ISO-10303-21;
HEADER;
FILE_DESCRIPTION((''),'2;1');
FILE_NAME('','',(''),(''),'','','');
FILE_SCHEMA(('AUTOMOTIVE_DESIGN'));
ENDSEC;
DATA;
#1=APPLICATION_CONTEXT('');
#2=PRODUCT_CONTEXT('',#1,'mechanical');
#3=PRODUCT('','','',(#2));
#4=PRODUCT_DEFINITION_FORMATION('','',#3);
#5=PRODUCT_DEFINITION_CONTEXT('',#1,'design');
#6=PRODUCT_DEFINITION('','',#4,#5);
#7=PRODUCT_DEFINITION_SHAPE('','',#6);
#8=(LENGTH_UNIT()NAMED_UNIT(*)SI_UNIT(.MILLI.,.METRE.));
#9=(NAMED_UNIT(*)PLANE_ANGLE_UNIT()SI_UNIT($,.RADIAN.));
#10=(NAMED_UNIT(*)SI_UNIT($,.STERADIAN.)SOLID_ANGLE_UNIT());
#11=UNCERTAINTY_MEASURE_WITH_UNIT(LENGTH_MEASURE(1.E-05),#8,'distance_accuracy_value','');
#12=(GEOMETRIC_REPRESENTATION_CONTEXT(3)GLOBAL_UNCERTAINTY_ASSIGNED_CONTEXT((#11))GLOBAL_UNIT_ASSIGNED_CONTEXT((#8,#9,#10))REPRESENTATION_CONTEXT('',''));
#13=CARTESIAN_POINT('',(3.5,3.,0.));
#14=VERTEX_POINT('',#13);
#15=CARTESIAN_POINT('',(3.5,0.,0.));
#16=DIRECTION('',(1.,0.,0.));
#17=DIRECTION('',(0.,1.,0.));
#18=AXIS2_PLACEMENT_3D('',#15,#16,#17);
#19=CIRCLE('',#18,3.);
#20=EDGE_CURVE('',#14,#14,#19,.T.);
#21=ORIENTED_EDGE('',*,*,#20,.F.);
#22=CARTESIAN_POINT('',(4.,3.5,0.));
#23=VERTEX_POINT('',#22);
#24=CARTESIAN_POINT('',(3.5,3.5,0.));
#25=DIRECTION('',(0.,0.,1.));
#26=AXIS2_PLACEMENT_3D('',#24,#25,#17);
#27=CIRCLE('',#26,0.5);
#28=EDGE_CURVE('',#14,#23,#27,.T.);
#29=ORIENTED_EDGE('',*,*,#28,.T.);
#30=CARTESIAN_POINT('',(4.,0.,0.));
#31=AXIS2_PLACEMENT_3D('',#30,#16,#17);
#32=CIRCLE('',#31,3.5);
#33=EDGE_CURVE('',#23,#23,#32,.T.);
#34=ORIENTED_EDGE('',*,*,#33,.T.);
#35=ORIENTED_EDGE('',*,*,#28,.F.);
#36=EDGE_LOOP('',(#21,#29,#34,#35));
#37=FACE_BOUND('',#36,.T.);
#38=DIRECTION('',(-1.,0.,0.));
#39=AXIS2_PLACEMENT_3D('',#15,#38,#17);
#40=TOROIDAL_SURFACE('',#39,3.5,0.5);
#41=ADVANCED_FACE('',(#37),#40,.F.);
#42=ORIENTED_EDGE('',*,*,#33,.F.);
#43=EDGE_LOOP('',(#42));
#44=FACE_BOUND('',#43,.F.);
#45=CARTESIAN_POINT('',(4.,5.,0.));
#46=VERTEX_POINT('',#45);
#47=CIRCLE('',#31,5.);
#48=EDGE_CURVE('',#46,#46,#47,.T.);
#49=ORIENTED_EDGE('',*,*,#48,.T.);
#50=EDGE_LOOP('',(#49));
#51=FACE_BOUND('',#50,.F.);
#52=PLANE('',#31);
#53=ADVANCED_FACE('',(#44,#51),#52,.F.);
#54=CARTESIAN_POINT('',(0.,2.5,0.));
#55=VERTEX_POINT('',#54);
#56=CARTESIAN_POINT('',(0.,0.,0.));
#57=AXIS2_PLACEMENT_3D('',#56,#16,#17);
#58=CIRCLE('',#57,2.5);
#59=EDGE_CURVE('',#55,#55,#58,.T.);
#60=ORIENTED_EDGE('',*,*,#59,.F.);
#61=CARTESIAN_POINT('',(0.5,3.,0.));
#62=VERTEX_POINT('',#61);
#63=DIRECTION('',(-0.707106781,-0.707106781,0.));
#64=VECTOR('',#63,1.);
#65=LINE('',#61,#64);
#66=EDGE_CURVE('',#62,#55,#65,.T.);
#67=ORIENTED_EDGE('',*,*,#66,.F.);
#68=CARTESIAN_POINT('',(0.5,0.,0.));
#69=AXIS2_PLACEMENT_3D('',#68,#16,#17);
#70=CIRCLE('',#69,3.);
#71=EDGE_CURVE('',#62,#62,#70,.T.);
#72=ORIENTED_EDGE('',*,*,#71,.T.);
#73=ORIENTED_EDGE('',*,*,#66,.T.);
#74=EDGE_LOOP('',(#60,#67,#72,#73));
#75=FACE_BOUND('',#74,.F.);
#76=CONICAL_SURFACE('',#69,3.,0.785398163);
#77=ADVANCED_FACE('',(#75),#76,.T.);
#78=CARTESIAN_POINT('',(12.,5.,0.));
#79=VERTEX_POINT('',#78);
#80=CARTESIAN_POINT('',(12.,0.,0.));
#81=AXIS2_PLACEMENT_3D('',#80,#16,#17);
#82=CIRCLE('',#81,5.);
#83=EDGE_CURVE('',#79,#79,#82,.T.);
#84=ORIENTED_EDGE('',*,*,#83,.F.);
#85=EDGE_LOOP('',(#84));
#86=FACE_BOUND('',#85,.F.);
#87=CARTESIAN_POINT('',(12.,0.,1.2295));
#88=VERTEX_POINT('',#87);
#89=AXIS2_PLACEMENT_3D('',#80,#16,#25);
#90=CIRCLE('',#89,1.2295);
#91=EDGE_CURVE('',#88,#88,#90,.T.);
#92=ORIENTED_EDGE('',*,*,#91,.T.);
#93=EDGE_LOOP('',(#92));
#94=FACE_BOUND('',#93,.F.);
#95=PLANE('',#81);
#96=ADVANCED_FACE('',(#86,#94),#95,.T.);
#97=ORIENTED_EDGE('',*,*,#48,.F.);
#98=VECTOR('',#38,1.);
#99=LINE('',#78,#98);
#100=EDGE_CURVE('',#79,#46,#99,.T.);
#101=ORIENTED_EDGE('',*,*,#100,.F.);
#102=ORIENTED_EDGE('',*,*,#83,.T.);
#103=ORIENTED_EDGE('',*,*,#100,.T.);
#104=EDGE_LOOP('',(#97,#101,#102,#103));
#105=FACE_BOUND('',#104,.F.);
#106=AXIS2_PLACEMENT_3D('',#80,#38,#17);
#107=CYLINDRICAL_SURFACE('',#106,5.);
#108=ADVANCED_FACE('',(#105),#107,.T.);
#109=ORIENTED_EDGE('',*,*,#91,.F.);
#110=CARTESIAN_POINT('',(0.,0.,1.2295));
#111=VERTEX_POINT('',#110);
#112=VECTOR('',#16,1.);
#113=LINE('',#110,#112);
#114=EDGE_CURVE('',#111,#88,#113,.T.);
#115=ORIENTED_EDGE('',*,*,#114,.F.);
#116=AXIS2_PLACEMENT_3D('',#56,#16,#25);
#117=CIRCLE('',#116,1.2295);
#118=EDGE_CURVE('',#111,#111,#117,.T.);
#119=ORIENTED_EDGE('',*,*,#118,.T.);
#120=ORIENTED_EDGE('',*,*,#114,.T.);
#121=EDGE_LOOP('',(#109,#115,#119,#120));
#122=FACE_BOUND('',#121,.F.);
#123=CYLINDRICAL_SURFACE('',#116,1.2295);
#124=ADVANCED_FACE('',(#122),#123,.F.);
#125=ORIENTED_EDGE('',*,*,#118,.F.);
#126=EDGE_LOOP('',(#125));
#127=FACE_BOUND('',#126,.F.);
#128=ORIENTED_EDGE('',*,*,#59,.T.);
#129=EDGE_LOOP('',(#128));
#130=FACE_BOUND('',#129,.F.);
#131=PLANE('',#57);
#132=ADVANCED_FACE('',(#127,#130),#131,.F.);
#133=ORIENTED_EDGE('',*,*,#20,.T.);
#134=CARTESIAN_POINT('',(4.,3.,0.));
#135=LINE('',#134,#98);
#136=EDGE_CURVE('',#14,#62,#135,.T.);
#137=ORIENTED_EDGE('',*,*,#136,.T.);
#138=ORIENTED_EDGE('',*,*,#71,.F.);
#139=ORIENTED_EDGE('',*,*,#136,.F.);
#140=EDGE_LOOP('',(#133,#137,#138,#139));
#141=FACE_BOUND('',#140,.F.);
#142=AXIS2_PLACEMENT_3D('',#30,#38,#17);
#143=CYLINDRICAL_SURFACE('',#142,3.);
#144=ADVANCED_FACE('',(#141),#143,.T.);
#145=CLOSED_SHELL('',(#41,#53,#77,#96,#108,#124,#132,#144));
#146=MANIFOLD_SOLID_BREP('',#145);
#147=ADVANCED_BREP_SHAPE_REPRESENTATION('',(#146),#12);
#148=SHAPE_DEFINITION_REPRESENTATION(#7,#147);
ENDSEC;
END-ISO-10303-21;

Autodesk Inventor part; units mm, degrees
ref_plane "YZ Plane" through (0, 0, 0) normal (1, 0, 0) x (0, 1, 0)
ref_plane "XZ Plane" through (0, 0, 0) normal (0, 1, 0) x (-1, 0, 0)
ref_plane "XY Plane" through (0, 0, 0) normal (0, 0, 1) x (1, 0, 0)
sketch "Sketch1" plane through (0, 0, 0) normal (0, 0, 1) x (1, 0, 0)
  line L0 (0, 0) -> (4, 0)
  line L1 (4, 0) -> (4, 3)
  line L2 (4, 3) -> (0, 3)
  line L3 (0, 3) -> (0, 0)
  line L4 (4, 0) -> (12, 0)
  line L5 (12, 0) -> (12, 5)
  line L6 (12, 5) -> (4, 5)
  line L7 (4, 5) -> (4, 0)
  line L8 (0, 0) -> (12, 0)
  dimension "d0" = 5
  dimension "d1" = 3
  dimension "d2" = 4
  dimension "d3" = 8
revolve "Revolution1" add sketch "Sketch1" angle 360 about axis through (4, 0, 0) along (1, 0, 0)
fillet "Fillet1" radius 0.5 1 edges at (4, -3, 0)
chamfer "Chamfer1" distance 0.5 angle 45 1 edges at (0, -3, 0)
sketch "Sketch2" plane through (0, 0, 0) normal (-1, 0, 0) x (0, 0, 1)
  circle A0 centre (0, 0) radius 3 projected
  point P0 (0, 0)
  point P1 (0, 0)
hole "Hole1" at (0, 0, 0) direction (1, 0, 0) diameter 2.459 end through all thread size "M3x0.5" class "6H" standard "ANSI Metric M Profile"
properties part number "Selection_Lever Mount Piece" material "Aluminum 6061"
